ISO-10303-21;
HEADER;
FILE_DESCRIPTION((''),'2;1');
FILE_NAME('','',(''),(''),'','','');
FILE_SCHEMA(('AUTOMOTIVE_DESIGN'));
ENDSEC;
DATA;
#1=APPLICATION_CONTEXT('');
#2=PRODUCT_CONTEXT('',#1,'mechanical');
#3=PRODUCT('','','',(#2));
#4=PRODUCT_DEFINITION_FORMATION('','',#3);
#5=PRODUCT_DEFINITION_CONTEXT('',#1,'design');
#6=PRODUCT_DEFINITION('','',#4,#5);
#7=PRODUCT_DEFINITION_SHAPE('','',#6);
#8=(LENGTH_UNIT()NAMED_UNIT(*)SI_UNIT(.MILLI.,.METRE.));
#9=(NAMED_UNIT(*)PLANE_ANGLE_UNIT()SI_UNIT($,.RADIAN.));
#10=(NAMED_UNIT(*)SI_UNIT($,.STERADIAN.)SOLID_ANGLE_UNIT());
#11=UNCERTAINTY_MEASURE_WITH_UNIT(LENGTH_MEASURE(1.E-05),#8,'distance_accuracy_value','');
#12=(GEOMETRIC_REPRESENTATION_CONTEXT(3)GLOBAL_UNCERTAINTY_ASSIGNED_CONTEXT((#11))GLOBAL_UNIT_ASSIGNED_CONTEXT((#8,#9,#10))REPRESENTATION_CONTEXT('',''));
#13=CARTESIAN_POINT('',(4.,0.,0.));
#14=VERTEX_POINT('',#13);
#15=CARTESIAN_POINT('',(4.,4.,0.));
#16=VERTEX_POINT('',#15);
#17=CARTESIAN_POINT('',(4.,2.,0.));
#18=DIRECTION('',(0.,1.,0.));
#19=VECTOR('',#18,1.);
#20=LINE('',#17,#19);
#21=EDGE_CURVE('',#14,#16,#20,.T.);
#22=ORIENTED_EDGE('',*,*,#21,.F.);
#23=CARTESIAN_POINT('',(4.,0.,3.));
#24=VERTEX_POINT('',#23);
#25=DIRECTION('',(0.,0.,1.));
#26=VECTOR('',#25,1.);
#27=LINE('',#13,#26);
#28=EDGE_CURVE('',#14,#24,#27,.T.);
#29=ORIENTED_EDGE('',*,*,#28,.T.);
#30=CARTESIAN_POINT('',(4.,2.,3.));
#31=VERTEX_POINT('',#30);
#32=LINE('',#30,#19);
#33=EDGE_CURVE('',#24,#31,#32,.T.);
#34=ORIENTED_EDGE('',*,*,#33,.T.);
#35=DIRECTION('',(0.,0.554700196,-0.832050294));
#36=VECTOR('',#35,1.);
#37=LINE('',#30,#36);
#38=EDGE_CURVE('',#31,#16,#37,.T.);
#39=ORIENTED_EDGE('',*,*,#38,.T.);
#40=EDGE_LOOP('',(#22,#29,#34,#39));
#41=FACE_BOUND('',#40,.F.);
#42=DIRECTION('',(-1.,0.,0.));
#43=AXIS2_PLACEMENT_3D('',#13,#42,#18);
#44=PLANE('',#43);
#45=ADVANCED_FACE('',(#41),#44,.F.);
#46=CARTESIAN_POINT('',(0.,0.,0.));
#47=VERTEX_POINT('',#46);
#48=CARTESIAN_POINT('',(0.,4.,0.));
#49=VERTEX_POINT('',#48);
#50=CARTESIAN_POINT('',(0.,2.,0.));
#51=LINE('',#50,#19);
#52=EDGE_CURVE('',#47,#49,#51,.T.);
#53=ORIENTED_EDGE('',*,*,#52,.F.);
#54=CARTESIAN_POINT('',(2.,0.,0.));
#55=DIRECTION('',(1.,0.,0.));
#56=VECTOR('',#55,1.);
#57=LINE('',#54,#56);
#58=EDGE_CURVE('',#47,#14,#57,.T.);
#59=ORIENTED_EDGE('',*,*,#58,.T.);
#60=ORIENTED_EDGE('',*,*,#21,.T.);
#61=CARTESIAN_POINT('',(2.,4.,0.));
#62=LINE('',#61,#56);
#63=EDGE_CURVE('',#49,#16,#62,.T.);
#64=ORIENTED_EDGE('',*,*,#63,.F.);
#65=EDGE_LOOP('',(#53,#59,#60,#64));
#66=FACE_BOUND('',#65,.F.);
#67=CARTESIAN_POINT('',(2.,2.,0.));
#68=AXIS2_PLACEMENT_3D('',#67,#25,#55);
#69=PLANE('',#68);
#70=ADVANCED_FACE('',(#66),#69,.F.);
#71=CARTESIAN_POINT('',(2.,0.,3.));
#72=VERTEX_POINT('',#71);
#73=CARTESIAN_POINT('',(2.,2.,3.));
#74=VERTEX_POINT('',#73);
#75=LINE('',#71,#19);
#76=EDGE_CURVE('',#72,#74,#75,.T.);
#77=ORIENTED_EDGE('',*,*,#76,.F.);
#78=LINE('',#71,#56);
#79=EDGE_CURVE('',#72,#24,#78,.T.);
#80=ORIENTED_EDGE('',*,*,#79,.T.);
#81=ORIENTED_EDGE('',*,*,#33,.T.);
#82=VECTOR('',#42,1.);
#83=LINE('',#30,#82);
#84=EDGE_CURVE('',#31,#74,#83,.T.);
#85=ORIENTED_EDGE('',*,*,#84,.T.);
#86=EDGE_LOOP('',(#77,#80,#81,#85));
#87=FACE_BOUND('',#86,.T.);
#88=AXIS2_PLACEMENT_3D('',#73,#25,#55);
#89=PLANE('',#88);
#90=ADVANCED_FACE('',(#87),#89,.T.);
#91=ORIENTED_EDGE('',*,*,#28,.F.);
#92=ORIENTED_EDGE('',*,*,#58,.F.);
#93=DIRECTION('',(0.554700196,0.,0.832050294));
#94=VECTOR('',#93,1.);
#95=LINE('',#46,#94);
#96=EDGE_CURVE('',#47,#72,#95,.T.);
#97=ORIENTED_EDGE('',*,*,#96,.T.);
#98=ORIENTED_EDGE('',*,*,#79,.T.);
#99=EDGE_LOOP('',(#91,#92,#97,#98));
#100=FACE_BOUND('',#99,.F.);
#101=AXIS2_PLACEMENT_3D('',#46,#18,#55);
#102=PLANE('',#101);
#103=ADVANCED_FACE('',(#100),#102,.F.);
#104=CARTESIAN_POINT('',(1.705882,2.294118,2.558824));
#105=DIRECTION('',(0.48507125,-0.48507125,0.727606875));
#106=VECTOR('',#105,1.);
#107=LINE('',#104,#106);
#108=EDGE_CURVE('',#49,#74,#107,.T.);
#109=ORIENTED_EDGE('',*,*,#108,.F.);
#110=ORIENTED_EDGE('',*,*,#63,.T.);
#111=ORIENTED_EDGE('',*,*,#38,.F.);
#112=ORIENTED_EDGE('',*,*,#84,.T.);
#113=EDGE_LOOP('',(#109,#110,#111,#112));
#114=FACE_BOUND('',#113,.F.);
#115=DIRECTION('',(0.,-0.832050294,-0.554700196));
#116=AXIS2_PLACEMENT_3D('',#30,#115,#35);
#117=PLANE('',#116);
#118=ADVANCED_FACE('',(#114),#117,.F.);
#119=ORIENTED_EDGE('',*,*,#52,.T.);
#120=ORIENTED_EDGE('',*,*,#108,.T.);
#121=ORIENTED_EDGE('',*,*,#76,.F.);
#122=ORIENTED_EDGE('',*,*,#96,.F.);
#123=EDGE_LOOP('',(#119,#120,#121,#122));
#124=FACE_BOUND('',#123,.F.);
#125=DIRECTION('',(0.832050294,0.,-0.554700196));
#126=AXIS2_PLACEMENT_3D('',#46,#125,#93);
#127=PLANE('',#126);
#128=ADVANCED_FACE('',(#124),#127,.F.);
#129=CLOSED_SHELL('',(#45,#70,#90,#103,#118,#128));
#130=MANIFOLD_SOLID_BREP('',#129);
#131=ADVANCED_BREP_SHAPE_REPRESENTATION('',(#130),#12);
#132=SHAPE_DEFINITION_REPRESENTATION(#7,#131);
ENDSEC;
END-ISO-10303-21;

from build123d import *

# Parameters (mm, degrees)
F0_W     = 4
F0_H     = 4
F1_DEPTH = 3
F3_DEPTH = 25
F5_DEPTH = 25


with BuildPart() as f1:
    # F0 (on Top) → F1 (new body)
    with BuildSketch(Plane.XY):
        with Locations((2, 2)):
            Rectangle(F0_W, F0_H)
    extrude(amount=F1_DEPTH)

    # F2 (on face) → F3 (cut)
    with BuildSketch(Plane.YZ.offset(4)):
        Polygon((2, 3), (4, 0), (4, 3), align=None)
    extrude(amount=-F3_DEPTH, mode=Mode.SUBTRACT)

    # F4 (on face) → F5 (cut)
    with BuildSketch(Plane.XZ):
        Polygon((0, 0), (2, 3), (0, 3), align=None)
    extrude(amount=-F5_DEPTH, mode=Mode.SUBTRACT)


solid = f1.part
